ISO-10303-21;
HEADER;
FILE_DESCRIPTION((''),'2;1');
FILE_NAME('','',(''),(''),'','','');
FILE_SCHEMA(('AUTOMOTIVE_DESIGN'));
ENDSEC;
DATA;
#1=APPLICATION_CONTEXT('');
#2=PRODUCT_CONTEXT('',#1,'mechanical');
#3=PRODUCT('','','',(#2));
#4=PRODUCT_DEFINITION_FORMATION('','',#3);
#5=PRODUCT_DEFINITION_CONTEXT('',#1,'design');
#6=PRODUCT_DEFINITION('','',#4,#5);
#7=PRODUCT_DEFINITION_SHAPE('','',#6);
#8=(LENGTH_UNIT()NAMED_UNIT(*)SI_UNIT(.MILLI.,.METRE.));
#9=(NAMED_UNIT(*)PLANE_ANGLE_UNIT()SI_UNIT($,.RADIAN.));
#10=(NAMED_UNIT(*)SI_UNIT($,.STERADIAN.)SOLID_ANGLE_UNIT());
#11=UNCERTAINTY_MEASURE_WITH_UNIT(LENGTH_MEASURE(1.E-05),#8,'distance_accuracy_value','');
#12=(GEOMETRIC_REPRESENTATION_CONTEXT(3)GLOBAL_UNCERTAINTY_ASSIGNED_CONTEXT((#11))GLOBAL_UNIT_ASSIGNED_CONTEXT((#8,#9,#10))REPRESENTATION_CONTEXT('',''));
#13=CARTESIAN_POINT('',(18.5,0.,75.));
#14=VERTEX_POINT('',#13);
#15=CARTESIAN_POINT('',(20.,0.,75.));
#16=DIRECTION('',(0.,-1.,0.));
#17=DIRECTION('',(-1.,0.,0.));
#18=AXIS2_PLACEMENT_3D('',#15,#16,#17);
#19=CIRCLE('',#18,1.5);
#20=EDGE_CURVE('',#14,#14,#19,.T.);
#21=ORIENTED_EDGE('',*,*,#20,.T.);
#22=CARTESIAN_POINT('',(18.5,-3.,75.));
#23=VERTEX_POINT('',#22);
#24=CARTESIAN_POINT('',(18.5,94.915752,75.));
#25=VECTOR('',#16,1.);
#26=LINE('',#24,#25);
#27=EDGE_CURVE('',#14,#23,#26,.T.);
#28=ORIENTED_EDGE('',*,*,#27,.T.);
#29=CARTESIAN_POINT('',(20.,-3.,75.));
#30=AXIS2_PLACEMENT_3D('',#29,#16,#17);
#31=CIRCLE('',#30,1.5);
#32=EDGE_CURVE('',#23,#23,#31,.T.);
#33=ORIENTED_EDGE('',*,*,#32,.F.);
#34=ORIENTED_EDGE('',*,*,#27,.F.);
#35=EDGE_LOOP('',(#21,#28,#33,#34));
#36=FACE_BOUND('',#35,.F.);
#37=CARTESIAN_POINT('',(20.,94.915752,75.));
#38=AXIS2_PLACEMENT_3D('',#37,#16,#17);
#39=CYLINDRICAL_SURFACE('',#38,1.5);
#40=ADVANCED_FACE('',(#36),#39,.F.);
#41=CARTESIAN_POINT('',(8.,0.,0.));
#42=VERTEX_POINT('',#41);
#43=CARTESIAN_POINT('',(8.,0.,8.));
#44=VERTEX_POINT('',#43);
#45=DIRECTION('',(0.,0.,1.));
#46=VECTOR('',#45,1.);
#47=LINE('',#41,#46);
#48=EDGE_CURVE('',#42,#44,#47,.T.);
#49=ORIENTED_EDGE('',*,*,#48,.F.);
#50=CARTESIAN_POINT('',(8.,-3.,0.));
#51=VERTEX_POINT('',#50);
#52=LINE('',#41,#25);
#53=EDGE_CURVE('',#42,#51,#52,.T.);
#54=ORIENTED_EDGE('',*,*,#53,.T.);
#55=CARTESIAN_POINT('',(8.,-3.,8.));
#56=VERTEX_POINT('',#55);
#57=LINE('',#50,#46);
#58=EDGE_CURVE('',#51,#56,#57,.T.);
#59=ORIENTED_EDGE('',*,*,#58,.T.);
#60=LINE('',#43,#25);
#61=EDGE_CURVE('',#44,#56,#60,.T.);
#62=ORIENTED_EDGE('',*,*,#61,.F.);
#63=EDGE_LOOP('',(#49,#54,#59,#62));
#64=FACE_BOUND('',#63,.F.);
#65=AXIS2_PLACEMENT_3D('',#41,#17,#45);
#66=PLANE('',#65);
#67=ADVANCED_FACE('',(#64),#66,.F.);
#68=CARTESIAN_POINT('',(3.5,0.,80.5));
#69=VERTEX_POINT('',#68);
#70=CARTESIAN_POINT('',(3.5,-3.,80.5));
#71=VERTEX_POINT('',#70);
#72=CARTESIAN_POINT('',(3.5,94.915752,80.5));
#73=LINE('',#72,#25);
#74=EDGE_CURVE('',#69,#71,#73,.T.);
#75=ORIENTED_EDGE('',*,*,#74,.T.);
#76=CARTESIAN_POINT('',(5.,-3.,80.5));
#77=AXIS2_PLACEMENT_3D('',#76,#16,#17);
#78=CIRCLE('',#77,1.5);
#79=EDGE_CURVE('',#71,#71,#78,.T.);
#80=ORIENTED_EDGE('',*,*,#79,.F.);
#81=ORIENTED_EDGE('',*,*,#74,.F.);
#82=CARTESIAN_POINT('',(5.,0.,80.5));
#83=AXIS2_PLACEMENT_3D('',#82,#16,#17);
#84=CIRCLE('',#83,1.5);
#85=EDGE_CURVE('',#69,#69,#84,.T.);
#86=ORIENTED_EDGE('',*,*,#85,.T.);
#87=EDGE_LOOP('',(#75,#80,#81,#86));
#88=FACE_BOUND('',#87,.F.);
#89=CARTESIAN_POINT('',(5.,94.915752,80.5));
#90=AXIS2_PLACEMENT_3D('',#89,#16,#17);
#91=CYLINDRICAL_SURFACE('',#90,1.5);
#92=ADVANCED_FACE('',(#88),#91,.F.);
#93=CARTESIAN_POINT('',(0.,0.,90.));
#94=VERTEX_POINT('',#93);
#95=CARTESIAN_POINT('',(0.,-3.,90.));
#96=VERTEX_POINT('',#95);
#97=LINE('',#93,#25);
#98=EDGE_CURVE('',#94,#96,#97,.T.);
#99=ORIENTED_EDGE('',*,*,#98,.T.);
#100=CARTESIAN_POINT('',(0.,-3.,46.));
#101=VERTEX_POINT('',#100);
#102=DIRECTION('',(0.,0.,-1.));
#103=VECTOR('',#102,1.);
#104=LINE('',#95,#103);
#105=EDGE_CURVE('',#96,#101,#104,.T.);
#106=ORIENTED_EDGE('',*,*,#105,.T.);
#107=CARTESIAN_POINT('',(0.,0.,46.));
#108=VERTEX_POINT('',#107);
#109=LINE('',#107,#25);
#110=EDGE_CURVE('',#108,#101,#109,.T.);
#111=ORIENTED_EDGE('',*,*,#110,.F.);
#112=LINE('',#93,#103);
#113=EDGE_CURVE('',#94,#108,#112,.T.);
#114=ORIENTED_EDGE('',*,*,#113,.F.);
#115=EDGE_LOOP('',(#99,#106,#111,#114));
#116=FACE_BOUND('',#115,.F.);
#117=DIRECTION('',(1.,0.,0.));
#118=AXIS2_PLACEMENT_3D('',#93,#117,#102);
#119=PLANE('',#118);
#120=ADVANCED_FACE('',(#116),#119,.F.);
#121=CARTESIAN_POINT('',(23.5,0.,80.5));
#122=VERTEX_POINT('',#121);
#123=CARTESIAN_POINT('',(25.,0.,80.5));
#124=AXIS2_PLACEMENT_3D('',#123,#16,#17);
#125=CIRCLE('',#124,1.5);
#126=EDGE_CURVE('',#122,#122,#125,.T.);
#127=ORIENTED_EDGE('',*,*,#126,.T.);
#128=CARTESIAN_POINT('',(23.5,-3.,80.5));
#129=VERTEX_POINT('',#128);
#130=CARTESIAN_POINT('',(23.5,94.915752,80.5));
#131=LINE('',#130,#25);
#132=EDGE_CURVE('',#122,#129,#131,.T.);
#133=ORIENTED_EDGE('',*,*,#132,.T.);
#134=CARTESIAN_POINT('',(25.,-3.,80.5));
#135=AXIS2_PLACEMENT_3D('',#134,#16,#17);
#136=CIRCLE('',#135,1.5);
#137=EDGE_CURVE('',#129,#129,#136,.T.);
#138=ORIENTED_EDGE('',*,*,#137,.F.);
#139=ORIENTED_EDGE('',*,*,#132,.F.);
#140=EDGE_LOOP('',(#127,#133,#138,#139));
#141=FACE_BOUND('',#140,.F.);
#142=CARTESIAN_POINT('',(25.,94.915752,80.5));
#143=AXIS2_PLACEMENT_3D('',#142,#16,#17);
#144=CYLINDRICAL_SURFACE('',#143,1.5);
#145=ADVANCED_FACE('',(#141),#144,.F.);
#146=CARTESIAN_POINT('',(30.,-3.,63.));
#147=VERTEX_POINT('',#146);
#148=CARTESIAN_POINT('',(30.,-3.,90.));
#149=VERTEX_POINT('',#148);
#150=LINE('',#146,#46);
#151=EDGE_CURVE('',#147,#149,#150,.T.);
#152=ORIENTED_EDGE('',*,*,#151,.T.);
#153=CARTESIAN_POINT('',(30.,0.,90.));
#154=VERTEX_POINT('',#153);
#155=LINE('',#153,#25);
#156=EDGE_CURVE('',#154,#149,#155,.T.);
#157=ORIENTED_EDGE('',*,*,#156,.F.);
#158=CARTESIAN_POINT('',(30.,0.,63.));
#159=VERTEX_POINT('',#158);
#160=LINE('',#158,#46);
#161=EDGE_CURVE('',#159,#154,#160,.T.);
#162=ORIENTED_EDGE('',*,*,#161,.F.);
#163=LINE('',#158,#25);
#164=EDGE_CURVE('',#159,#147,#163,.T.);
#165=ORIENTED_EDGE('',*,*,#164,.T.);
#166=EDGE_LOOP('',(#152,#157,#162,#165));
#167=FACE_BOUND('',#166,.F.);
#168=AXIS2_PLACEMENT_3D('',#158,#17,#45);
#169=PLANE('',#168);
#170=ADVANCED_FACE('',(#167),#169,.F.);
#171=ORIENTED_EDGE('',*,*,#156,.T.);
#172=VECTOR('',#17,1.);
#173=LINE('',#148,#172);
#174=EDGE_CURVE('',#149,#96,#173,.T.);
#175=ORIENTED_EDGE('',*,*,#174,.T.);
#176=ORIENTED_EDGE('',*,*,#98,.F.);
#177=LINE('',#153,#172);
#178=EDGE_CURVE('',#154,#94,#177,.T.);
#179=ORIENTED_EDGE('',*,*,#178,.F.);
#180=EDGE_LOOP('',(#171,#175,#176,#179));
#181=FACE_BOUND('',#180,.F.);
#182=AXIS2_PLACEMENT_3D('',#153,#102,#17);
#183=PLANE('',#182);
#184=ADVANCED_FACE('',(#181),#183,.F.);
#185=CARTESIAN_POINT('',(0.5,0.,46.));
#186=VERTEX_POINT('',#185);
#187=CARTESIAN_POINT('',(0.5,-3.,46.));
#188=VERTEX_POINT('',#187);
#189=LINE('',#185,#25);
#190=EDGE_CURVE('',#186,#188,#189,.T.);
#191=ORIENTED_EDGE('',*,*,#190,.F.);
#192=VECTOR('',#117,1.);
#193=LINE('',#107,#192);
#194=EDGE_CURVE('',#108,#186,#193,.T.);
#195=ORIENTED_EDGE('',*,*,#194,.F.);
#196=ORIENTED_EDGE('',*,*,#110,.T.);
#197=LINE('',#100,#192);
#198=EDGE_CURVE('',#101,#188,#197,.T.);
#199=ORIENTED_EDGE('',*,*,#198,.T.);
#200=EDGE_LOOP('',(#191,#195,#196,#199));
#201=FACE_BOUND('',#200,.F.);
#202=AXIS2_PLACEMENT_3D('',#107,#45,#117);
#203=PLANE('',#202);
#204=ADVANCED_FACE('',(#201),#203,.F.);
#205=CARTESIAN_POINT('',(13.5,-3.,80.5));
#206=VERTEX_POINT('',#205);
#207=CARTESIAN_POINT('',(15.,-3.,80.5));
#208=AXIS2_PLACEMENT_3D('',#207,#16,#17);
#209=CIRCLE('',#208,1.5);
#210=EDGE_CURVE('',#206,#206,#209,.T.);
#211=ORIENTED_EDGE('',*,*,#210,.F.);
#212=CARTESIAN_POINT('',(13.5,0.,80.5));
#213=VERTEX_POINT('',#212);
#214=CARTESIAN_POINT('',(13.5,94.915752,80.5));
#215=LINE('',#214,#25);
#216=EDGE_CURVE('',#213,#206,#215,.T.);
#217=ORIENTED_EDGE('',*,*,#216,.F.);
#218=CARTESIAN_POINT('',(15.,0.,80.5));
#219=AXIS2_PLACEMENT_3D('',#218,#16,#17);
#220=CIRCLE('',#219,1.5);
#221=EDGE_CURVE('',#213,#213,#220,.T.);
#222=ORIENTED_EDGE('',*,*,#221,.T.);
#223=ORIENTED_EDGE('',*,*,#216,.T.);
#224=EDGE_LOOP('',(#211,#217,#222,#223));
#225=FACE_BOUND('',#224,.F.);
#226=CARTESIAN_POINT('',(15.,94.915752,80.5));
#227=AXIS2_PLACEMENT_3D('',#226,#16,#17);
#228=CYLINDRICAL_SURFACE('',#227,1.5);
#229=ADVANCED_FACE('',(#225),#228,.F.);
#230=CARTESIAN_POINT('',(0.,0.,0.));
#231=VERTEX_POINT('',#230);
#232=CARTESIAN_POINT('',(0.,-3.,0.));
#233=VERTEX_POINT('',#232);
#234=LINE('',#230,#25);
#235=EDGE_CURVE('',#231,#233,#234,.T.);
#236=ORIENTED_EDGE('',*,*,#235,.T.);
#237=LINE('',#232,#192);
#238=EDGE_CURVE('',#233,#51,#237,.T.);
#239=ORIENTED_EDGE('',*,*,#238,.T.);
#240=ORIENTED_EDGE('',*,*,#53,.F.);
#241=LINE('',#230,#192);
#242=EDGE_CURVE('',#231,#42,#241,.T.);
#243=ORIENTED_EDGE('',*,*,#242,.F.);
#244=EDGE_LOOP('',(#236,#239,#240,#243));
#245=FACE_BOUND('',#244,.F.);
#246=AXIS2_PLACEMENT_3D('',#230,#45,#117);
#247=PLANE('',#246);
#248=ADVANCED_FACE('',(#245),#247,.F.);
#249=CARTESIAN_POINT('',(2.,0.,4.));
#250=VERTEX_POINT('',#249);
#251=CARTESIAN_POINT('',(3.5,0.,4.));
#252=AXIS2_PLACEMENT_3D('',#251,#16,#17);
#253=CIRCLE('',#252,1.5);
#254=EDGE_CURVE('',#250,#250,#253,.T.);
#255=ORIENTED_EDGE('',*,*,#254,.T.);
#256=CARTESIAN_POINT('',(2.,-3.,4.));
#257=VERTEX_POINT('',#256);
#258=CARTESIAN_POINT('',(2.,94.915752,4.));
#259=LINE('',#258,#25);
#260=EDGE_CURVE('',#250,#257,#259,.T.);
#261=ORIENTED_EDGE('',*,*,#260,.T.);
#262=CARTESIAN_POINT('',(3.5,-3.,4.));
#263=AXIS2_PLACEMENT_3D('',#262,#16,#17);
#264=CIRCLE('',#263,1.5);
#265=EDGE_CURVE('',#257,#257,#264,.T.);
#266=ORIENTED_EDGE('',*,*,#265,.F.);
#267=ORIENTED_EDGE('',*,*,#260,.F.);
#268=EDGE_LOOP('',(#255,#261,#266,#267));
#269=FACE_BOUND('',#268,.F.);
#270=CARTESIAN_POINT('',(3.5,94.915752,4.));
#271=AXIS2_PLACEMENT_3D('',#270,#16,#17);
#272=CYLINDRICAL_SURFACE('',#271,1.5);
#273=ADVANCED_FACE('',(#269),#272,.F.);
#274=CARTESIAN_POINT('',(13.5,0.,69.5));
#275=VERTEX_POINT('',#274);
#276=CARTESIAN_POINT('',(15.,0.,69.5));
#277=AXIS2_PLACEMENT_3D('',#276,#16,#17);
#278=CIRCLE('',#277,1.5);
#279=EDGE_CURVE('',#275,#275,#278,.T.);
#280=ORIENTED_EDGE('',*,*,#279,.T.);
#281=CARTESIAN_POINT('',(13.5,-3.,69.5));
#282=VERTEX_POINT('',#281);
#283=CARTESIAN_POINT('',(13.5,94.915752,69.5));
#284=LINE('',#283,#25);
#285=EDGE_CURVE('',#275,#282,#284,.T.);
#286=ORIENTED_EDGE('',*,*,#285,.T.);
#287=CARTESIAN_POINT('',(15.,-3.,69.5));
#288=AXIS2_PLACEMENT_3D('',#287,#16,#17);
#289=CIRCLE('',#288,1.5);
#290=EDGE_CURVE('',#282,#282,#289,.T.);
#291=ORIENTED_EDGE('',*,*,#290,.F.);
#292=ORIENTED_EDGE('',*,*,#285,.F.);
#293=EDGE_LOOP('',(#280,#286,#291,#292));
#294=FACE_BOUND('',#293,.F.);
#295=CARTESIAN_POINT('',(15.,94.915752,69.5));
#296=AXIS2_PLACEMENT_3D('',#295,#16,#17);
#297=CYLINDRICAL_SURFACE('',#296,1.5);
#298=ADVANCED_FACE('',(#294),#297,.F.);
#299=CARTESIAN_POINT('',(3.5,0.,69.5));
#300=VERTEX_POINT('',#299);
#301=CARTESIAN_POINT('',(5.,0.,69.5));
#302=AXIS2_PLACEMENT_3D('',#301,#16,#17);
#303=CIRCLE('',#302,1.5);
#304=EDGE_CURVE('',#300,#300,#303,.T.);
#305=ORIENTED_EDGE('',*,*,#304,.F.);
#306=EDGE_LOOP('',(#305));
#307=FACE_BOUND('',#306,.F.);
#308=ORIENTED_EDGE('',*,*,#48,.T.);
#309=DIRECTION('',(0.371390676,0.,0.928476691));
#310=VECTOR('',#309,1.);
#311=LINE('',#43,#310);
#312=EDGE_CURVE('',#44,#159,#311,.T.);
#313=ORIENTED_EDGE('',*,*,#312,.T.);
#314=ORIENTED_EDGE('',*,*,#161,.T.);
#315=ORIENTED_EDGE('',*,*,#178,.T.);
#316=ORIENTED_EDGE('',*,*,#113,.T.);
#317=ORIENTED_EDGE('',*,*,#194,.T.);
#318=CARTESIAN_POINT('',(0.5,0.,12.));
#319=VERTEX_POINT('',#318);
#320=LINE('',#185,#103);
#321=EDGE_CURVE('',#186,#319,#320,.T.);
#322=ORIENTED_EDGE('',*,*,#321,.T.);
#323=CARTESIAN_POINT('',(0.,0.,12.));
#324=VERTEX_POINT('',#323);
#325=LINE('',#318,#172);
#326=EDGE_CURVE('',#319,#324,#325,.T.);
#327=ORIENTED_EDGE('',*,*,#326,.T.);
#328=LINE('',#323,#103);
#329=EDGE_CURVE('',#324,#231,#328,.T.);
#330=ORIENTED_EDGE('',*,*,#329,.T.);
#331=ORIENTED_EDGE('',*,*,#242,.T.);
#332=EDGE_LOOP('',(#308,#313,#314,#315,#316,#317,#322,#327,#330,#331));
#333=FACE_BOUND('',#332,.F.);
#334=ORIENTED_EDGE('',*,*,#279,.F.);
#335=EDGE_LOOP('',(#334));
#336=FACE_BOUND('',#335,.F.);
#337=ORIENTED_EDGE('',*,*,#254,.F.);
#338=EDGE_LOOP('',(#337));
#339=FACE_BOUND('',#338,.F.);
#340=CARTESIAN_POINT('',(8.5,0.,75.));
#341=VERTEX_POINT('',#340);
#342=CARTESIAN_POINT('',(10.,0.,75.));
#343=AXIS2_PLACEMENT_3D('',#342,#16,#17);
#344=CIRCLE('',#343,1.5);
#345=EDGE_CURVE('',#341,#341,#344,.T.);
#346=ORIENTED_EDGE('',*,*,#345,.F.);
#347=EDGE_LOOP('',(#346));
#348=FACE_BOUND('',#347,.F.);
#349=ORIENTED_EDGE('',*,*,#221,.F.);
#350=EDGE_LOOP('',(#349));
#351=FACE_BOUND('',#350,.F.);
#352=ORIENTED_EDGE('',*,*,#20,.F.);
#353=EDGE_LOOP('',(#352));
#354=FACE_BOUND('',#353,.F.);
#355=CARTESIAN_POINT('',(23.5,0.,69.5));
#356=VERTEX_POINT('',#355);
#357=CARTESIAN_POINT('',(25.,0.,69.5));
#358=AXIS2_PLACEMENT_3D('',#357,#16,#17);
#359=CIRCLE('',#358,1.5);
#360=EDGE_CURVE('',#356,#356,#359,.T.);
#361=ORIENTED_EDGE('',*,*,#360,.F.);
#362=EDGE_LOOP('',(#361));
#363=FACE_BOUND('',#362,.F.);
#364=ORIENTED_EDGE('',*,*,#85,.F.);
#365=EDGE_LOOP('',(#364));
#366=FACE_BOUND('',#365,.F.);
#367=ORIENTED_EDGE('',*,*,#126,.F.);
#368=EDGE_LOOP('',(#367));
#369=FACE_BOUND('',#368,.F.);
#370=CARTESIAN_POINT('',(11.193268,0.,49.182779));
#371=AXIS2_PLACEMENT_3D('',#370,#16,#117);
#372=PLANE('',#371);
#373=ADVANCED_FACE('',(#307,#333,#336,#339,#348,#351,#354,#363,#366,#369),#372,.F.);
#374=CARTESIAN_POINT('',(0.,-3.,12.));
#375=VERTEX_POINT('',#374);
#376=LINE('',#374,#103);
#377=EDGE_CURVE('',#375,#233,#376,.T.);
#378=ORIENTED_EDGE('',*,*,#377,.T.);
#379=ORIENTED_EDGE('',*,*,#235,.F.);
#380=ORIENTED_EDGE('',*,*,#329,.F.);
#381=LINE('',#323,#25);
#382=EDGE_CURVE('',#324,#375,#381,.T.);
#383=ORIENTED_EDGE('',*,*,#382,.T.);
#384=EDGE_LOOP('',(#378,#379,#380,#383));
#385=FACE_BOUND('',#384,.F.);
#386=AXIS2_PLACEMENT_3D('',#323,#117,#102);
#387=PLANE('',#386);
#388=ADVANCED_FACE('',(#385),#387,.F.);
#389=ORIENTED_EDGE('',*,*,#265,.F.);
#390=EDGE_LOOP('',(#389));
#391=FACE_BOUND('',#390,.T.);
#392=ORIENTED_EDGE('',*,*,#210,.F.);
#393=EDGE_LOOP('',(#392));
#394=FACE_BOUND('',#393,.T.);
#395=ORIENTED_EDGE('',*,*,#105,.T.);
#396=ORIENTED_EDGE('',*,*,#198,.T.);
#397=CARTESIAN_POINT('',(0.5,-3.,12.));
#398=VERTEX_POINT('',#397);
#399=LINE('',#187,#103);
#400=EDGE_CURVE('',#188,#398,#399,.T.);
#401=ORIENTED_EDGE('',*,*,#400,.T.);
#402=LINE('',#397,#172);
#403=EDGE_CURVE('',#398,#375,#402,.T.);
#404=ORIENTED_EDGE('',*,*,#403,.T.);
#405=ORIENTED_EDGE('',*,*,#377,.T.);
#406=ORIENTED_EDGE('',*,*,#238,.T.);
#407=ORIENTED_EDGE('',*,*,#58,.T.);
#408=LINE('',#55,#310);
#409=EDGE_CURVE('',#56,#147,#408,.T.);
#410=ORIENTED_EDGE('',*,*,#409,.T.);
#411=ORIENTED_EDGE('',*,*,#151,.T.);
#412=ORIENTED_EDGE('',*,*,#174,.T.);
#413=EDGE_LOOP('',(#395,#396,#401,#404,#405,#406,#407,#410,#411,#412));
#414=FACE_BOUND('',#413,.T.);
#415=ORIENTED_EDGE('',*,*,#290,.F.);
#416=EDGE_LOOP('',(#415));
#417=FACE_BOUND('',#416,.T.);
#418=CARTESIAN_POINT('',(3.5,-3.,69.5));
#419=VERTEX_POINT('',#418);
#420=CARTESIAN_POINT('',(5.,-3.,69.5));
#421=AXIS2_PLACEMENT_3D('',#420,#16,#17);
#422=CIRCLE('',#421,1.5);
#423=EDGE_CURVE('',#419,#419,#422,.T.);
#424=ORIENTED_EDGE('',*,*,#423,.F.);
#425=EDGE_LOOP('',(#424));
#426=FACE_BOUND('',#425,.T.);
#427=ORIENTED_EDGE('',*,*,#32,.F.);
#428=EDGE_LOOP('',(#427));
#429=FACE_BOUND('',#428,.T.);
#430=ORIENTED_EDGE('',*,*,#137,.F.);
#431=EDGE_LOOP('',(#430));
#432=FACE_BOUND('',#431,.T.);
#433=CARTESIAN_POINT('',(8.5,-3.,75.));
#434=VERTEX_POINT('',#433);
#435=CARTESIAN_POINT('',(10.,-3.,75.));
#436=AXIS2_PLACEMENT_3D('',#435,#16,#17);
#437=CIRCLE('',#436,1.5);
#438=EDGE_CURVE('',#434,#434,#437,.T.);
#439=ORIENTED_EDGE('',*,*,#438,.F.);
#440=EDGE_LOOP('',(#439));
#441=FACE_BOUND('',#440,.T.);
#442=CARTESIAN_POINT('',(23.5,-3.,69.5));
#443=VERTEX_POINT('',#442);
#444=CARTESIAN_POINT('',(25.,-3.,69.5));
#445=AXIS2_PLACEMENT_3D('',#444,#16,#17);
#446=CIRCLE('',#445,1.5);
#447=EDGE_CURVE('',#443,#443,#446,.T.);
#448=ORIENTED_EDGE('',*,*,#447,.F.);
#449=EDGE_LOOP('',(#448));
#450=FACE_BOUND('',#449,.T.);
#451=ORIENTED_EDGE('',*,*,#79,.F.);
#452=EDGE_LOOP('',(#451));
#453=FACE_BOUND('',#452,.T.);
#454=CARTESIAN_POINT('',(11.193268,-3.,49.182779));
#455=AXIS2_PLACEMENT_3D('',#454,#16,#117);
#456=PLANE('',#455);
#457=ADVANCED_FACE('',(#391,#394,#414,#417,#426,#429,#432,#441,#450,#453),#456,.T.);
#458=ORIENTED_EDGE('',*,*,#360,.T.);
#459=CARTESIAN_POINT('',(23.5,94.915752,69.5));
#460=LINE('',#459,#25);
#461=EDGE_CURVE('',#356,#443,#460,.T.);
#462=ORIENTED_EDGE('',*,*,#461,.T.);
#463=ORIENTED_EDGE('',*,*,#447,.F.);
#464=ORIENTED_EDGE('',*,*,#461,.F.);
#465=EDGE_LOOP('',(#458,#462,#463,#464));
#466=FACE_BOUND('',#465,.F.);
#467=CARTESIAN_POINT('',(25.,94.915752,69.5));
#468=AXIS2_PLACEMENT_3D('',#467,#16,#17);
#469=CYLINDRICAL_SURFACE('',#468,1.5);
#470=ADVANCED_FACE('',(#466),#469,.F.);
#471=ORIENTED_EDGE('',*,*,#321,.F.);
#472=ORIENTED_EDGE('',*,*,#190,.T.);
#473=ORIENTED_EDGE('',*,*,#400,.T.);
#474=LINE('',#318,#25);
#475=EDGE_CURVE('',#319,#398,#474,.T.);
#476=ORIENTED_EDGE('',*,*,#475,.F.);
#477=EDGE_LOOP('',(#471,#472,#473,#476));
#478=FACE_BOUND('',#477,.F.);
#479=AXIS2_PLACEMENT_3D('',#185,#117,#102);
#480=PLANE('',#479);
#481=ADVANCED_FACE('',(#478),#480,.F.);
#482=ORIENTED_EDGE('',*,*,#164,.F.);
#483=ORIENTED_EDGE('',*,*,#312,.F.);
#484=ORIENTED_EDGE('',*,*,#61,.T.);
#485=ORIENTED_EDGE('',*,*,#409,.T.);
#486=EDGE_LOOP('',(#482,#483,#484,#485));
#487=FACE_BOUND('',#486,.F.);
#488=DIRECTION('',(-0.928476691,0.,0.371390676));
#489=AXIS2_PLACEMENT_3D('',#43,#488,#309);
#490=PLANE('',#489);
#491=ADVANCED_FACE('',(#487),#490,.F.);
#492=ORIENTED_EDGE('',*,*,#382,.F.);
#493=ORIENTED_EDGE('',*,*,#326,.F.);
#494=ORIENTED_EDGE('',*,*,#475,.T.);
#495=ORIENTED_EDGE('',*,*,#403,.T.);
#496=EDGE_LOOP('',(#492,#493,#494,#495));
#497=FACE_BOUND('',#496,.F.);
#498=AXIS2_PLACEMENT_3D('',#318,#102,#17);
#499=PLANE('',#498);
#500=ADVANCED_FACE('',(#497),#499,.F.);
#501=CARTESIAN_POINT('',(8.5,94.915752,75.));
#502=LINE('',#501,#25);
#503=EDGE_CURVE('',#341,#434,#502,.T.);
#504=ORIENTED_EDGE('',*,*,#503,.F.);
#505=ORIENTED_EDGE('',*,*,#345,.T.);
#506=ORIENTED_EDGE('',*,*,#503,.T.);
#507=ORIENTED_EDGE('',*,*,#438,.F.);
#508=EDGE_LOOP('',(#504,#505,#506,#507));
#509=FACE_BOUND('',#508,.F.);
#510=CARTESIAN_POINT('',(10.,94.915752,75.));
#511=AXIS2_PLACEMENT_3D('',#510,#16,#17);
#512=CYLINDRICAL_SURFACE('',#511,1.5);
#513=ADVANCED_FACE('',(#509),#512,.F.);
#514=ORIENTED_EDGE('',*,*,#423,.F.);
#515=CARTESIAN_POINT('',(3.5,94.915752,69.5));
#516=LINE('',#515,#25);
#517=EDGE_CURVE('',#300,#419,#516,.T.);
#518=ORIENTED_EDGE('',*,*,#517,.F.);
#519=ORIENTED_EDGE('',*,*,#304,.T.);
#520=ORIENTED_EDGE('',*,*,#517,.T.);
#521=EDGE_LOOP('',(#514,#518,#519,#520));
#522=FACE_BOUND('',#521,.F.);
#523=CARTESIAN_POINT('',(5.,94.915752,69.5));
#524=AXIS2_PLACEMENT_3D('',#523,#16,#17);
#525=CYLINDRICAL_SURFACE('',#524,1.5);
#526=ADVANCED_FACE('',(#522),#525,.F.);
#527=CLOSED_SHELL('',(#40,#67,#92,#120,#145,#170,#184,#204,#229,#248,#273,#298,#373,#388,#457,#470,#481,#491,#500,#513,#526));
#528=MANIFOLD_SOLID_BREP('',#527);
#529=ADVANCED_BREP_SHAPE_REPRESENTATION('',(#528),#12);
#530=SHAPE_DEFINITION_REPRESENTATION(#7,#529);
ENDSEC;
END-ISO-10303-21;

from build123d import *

# Parameters (mm, degrees)
F1_DEPTH = 3
F3_D     = 3


with BuildPart() as f1:
    # F0 (on Front) → F1 (new body)
    with BuildSketch(Plane.XZ):
        Polygon((0, 12), (0, 0), (8, 0), (8, 8), (30, 63), (30, 90), (0, 90), (0, 46), (0.5, 46), (0.5, 12), align=None)
    extrude(amount=F1_DEPTH)

    # F3 (through all)
    with Locations(Plane(origin=(0, 0, 0), x_dir=(1, 0, 0), z_dir=(0, 1, 0))):
        with Locations((5, -80.5), (15, -80.5), (25, -80.5), (20, -75), (10, -75), (5, -69.5), (25, -69.5), (15, -69.5), (3.5, -4)):
            Hole(F3_D / 2)


solid = f1.part
